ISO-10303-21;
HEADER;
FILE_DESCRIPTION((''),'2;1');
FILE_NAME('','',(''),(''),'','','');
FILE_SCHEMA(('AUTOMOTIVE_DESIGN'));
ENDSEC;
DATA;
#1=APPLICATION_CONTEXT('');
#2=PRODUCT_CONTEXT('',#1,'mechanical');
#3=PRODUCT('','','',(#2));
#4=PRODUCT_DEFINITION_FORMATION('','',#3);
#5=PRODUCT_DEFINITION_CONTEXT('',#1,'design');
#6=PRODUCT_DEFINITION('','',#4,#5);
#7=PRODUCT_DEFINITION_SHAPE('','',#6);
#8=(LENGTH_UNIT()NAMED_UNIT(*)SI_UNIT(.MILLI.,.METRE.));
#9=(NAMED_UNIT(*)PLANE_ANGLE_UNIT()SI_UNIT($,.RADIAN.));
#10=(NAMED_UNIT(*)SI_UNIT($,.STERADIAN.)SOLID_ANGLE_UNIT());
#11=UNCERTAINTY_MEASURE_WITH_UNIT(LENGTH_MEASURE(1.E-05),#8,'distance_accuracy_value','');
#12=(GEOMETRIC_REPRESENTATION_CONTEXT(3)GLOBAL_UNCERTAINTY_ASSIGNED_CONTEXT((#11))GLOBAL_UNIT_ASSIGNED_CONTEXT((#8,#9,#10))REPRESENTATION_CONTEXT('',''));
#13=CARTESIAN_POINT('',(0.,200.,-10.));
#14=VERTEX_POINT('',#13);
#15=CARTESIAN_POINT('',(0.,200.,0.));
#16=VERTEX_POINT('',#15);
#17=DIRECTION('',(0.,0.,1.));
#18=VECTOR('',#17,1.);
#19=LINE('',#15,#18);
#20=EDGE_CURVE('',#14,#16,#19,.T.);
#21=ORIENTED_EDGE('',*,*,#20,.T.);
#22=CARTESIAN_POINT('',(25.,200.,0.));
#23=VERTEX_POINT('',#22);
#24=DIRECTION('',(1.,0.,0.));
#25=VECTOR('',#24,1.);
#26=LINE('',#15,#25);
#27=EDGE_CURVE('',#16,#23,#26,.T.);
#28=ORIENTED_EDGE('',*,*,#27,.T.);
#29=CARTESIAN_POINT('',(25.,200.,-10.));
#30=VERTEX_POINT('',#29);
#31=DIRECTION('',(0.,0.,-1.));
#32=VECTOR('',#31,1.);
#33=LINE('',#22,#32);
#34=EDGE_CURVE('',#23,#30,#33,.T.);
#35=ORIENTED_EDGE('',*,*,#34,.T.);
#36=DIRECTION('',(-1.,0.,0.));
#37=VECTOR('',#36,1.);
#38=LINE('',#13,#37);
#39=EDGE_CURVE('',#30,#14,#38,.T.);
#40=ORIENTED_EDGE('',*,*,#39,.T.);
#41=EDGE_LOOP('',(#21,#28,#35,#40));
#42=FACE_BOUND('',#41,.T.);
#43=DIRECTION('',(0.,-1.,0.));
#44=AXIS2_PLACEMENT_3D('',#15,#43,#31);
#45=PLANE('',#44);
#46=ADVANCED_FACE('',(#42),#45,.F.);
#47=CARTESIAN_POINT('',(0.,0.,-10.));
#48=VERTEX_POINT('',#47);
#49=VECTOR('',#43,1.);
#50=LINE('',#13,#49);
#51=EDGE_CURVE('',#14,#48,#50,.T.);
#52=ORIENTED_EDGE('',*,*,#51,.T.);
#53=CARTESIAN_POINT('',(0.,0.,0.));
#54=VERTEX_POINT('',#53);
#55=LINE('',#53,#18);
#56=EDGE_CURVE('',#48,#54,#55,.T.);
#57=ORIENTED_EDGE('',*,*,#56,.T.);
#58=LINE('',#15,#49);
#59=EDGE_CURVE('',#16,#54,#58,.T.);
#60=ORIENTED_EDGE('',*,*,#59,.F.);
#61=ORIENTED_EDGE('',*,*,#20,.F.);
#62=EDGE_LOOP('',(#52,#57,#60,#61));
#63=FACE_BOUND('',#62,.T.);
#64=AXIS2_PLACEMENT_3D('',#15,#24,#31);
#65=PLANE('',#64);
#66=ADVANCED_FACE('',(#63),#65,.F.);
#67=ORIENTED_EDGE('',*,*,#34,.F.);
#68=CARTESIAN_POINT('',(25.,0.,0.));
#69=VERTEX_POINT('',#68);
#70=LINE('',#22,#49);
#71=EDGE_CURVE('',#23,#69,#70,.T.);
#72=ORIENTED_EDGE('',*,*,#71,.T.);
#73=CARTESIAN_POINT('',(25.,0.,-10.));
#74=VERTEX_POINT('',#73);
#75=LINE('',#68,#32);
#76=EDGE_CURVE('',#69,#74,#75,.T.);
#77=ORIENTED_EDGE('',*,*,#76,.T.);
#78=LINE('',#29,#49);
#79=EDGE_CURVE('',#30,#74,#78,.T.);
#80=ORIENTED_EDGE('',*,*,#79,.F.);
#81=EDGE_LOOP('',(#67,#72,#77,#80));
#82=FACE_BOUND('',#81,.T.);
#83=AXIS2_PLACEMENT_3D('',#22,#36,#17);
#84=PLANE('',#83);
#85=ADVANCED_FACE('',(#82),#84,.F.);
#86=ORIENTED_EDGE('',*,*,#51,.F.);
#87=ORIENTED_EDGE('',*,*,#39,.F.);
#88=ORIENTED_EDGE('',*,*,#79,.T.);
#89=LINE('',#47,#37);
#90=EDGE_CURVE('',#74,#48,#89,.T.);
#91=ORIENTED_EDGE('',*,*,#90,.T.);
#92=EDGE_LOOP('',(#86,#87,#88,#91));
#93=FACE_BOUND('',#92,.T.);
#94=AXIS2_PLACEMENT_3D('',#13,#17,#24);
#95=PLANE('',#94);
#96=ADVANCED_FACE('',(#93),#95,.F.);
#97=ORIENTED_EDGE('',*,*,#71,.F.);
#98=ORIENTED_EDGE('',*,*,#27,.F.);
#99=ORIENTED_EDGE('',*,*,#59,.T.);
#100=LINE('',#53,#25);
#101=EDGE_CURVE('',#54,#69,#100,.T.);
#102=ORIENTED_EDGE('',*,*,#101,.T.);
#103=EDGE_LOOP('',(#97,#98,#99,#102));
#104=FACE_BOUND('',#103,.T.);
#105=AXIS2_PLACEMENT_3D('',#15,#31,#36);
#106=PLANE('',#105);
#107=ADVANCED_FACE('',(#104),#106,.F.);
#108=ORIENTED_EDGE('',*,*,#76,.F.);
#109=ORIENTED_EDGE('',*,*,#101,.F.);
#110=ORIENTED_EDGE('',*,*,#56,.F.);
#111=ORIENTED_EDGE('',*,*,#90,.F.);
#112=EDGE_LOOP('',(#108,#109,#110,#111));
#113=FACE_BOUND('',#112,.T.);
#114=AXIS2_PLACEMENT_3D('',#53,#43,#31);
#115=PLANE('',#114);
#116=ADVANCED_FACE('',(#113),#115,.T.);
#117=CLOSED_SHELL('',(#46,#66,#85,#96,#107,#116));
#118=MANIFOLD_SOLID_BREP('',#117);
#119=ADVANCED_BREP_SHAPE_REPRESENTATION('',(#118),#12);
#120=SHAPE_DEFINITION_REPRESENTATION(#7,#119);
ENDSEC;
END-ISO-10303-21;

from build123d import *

# Parameters (mm, degrees)
SKETCH_1_W      = 25
SKETCH_1_H      = 10
EXTRUDE_1_DEPTH = 200


with BuildPart() as part:
    # 草图1 → 凸台-拉伸1 (new body)
    with BuildSketch(Plane(origin=(0, 0, 0), x_dir=(1, 0, 0), z_dir=(0, 1, 0))):
        with Locations((12.5, 5)):
            Rectangle(SKETCH_1_W, SKETCH_1_H)
    extrude(amount=EXTRUDE_1_DEPTH)


solid = part.part
